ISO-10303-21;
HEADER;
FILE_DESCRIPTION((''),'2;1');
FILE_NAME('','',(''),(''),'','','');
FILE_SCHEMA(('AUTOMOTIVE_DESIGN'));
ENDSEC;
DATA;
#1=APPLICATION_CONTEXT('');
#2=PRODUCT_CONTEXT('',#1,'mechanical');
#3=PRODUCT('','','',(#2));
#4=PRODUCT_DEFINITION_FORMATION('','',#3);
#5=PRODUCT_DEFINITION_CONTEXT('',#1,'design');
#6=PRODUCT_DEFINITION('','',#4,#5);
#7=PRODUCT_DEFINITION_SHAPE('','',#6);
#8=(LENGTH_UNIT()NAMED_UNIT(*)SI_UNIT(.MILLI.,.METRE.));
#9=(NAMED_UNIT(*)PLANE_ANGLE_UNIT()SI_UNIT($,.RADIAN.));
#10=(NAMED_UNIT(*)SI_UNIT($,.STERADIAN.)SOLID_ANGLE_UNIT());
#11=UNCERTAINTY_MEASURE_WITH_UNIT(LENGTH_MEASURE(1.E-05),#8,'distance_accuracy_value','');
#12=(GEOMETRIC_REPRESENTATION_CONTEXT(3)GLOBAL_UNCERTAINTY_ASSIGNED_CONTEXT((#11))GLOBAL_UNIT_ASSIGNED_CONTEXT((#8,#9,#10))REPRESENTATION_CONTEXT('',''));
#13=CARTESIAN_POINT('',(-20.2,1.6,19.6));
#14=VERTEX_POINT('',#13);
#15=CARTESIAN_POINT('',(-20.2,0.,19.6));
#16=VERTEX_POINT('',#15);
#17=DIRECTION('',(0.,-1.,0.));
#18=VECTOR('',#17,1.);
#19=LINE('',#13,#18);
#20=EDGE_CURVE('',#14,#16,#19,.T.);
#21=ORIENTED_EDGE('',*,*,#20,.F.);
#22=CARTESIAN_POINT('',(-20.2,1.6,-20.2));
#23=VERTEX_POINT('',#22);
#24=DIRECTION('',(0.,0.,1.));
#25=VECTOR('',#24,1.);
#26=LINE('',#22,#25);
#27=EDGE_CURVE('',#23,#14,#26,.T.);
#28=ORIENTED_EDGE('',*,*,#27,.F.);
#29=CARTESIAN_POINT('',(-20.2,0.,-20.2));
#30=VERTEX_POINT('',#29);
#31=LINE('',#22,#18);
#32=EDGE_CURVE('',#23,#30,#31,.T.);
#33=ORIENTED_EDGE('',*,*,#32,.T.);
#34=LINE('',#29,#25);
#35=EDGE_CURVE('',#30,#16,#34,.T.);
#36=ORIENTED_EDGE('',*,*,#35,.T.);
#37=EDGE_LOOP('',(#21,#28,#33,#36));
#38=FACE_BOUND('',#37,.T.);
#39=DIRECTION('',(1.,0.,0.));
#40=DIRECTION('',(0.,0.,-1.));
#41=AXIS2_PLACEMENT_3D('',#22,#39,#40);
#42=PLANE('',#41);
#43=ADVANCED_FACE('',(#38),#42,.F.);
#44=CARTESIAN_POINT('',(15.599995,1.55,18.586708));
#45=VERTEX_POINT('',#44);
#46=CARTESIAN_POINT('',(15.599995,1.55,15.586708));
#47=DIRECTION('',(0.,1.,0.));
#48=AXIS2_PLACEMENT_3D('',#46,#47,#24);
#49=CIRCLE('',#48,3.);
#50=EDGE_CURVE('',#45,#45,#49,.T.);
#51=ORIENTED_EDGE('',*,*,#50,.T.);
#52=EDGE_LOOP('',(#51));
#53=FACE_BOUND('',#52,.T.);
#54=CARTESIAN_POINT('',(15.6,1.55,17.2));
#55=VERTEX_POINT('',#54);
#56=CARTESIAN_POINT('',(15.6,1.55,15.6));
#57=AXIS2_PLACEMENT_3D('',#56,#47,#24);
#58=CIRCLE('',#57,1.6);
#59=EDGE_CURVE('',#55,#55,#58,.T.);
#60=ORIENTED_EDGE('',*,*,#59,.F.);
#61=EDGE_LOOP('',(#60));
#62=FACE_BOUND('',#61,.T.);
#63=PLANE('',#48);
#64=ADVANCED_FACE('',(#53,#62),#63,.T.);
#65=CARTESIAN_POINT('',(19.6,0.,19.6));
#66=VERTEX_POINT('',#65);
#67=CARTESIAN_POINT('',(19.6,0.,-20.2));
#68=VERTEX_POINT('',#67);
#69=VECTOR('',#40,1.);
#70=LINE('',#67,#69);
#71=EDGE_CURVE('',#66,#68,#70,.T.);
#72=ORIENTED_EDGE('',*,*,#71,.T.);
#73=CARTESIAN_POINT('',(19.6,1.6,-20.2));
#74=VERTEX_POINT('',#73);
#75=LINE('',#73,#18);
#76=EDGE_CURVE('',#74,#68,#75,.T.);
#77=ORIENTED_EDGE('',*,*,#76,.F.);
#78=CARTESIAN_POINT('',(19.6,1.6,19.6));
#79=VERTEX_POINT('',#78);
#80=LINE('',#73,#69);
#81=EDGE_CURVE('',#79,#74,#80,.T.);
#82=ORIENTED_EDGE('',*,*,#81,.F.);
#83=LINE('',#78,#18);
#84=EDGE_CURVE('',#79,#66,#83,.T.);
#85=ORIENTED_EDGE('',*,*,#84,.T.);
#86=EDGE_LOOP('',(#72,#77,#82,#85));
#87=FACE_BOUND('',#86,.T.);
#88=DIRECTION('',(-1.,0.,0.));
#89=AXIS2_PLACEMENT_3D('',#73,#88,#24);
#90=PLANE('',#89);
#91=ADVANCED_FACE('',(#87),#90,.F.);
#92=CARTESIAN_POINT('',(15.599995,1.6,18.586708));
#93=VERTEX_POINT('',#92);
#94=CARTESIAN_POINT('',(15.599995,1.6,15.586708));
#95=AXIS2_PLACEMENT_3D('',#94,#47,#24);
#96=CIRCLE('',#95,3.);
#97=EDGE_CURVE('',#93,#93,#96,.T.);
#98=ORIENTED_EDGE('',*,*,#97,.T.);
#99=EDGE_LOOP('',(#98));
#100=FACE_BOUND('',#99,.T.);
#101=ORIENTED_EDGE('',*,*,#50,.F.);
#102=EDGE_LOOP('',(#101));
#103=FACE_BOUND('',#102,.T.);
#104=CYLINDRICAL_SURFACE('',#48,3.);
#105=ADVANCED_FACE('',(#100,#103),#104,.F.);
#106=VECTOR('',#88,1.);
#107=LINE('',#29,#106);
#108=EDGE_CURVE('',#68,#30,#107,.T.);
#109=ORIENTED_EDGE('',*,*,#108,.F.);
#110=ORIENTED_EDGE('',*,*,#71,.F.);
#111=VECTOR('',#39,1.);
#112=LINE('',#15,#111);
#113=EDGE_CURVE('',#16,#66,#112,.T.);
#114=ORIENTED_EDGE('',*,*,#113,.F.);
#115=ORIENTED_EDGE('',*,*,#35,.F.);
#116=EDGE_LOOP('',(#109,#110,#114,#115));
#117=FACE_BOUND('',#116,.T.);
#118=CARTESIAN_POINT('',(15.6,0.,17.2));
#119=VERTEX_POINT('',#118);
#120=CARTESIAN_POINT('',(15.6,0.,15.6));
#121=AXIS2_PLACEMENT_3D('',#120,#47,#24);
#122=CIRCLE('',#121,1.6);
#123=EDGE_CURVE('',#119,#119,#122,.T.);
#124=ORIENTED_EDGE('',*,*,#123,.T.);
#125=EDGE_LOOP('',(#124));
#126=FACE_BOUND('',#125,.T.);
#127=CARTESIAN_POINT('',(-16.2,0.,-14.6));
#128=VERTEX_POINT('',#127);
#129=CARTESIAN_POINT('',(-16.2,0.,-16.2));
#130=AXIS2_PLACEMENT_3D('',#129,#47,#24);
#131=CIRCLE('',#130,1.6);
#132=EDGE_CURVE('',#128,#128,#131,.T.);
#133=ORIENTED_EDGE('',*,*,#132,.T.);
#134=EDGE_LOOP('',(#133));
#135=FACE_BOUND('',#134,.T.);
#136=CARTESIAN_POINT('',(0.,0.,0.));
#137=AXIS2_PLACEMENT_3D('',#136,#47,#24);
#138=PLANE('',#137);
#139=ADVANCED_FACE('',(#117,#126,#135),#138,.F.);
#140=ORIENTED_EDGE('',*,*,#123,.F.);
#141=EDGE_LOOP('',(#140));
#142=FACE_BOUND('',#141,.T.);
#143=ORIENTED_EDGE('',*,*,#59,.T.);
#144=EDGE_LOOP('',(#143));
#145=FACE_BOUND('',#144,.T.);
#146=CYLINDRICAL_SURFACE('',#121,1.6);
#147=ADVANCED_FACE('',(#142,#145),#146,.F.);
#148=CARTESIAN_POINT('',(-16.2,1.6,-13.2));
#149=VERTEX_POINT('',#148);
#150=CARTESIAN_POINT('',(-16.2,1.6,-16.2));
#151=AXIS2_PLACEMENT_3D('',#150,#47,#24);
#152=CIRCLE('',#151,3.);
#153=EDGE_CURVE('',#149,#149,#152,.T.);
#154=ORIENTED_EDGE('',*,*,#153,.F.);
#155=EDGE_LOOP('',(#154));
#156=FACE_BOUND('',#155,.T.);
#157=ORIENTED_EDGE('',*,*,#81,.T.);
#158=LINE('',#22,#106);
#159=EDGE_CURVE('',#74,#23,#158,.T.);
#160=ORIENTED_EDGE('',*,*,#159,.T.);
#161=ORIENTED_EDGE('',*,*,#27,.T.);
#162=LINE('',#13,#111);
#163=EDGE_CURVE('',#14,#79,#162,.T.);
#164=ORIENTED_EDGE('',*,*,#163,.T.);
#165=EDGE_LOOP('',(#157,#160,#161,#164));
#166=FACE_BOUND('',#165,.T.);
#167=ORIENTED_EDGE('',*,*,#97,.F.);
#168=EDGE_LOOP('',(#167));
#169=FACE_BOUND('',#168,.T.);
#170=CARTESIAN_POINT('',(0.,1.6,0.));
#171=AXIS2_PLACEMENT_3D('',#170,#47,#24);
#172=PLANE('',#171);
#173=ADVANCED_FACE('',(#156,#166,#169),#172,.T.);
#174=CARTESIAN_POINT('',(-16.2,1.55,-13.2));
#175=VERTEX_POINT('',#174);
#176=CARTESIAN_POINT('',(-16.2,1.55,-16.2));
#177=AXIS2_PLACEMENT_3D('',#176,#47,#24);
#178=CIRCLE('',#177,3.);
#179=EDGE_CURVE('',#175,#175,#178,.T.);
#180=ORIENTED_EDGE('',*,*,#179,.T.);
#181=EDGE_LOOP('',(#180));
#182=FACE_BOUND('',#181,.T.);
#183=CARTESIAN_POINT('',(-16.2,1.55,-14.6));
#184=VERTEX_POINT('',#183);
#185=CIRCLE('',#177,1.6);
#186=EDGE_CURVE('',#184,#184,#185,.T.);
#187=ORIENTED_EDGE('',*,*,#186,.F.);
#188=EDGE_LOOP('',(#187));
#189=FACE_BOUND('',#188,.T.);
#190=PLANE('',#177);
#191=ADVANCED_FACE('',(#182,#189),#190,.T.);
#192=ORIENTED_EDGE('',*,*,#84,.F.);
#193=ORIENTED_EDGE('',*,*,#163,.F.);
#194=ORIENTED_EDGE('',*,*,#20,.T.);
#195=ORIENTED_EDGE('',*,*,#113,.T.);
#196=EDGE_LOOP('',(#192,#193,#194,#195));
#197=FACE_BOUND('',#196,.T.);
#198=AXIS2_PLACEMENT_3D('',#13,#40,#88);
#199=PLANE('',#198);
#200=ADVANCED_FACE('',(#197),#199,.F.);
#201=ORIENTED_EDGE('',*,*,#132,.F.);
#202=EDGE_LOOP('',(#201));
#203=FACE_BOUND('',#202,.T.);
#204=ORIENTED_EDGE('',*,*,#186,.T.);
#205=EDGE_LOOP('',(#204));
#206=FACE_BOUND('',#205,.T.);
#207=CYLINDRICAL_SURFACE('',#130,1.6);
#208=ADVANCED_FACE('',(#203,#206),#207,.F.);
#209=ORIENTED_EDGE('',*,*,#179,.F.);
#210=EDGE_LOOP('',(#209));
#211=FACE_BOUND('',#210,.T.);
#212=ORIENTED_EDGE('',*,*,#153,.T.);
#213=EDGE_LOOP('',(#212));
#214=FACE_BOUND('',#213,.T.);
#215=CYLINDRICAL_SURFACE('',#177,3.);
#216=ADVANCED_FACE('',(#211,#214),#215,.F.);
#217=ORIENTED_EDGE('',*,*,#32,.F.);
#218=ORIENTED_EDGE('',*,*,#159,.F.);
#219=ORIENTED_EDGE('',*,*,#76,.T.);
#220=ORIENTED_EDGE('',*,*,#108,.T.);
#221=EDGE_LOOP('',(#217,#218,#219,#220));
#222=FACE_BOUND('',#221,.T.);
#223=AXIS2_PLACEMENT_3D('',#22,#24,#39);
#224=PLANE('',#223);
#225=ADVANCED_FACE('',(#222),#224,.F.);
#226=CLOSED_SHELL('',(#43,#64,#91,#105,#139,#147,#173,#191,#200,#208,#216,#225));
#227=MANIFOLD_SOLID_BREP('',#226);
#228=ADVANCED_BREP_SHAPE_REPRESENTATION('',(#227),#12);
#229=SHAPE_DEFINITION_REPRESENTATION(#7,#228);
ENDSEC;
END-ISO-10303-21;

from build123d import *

# Parameters (mm, degrees)
SKETCH1_W           = 39.8
SKETCH1_H           = 39.8
BOSS_EXTRUDE1_DEPTH = 1.6
SKETCH10_R          = 3
CUT_EXTRUDE6_DEPTH  = 0.05
SKETCH11_R          = 1.6
CUT_EXTRUDE7_DEPTH  = 1.6


with BuildPart() as part:
    # Sketch1 → Boss-Extrude1 (new body)
    with BuildSketch(Plane(origin=(0, 0, 0), x_dir=(1, 0, 0), z_dir=(0, 1, 0))):
        with Locations((-0.3, 0.3)):
            Rectangle(SKETCH1_W, SKETCH1_H)
    extrude(amount=BOSS_EXTRUDE1_DEPTH)

    # Sketch10 → Cut-Extrude6 (cut)
    with BuildSketch(Plane(origin=(0, 1.6, 0), x_dir=(1, 0, 0), z_dir=(0, 1, 0))):
        with Locations((-16.2, 16.2)):
            Circle(SKETCH10_R)
        with Locations((15.599994551, -15.586708083)):
            Circle(SKETCH10_R)
    extrude(amount=-CUT_EXTRUDE6_DEPTH, mode=Mode.SUBTRACT)

    # Sketch11 → Cut-Extrude7 (cut)
    with BuildSketch(Plane(origin=(0, 1.6, 0), x_dir=(1, 0, 0), z_dir=(0, 1, 0))):
        with Locations((-16.2, 16.2)):
            Circle(SKETCH11_R)
        with Locations((15.6, -15.6)):
            Circle(SKETCH11_R)
    extrude(amount=-CUT_EXTRUDE7_DEPTH, mode=Mode.SUBTRACT)


solid = part.part
